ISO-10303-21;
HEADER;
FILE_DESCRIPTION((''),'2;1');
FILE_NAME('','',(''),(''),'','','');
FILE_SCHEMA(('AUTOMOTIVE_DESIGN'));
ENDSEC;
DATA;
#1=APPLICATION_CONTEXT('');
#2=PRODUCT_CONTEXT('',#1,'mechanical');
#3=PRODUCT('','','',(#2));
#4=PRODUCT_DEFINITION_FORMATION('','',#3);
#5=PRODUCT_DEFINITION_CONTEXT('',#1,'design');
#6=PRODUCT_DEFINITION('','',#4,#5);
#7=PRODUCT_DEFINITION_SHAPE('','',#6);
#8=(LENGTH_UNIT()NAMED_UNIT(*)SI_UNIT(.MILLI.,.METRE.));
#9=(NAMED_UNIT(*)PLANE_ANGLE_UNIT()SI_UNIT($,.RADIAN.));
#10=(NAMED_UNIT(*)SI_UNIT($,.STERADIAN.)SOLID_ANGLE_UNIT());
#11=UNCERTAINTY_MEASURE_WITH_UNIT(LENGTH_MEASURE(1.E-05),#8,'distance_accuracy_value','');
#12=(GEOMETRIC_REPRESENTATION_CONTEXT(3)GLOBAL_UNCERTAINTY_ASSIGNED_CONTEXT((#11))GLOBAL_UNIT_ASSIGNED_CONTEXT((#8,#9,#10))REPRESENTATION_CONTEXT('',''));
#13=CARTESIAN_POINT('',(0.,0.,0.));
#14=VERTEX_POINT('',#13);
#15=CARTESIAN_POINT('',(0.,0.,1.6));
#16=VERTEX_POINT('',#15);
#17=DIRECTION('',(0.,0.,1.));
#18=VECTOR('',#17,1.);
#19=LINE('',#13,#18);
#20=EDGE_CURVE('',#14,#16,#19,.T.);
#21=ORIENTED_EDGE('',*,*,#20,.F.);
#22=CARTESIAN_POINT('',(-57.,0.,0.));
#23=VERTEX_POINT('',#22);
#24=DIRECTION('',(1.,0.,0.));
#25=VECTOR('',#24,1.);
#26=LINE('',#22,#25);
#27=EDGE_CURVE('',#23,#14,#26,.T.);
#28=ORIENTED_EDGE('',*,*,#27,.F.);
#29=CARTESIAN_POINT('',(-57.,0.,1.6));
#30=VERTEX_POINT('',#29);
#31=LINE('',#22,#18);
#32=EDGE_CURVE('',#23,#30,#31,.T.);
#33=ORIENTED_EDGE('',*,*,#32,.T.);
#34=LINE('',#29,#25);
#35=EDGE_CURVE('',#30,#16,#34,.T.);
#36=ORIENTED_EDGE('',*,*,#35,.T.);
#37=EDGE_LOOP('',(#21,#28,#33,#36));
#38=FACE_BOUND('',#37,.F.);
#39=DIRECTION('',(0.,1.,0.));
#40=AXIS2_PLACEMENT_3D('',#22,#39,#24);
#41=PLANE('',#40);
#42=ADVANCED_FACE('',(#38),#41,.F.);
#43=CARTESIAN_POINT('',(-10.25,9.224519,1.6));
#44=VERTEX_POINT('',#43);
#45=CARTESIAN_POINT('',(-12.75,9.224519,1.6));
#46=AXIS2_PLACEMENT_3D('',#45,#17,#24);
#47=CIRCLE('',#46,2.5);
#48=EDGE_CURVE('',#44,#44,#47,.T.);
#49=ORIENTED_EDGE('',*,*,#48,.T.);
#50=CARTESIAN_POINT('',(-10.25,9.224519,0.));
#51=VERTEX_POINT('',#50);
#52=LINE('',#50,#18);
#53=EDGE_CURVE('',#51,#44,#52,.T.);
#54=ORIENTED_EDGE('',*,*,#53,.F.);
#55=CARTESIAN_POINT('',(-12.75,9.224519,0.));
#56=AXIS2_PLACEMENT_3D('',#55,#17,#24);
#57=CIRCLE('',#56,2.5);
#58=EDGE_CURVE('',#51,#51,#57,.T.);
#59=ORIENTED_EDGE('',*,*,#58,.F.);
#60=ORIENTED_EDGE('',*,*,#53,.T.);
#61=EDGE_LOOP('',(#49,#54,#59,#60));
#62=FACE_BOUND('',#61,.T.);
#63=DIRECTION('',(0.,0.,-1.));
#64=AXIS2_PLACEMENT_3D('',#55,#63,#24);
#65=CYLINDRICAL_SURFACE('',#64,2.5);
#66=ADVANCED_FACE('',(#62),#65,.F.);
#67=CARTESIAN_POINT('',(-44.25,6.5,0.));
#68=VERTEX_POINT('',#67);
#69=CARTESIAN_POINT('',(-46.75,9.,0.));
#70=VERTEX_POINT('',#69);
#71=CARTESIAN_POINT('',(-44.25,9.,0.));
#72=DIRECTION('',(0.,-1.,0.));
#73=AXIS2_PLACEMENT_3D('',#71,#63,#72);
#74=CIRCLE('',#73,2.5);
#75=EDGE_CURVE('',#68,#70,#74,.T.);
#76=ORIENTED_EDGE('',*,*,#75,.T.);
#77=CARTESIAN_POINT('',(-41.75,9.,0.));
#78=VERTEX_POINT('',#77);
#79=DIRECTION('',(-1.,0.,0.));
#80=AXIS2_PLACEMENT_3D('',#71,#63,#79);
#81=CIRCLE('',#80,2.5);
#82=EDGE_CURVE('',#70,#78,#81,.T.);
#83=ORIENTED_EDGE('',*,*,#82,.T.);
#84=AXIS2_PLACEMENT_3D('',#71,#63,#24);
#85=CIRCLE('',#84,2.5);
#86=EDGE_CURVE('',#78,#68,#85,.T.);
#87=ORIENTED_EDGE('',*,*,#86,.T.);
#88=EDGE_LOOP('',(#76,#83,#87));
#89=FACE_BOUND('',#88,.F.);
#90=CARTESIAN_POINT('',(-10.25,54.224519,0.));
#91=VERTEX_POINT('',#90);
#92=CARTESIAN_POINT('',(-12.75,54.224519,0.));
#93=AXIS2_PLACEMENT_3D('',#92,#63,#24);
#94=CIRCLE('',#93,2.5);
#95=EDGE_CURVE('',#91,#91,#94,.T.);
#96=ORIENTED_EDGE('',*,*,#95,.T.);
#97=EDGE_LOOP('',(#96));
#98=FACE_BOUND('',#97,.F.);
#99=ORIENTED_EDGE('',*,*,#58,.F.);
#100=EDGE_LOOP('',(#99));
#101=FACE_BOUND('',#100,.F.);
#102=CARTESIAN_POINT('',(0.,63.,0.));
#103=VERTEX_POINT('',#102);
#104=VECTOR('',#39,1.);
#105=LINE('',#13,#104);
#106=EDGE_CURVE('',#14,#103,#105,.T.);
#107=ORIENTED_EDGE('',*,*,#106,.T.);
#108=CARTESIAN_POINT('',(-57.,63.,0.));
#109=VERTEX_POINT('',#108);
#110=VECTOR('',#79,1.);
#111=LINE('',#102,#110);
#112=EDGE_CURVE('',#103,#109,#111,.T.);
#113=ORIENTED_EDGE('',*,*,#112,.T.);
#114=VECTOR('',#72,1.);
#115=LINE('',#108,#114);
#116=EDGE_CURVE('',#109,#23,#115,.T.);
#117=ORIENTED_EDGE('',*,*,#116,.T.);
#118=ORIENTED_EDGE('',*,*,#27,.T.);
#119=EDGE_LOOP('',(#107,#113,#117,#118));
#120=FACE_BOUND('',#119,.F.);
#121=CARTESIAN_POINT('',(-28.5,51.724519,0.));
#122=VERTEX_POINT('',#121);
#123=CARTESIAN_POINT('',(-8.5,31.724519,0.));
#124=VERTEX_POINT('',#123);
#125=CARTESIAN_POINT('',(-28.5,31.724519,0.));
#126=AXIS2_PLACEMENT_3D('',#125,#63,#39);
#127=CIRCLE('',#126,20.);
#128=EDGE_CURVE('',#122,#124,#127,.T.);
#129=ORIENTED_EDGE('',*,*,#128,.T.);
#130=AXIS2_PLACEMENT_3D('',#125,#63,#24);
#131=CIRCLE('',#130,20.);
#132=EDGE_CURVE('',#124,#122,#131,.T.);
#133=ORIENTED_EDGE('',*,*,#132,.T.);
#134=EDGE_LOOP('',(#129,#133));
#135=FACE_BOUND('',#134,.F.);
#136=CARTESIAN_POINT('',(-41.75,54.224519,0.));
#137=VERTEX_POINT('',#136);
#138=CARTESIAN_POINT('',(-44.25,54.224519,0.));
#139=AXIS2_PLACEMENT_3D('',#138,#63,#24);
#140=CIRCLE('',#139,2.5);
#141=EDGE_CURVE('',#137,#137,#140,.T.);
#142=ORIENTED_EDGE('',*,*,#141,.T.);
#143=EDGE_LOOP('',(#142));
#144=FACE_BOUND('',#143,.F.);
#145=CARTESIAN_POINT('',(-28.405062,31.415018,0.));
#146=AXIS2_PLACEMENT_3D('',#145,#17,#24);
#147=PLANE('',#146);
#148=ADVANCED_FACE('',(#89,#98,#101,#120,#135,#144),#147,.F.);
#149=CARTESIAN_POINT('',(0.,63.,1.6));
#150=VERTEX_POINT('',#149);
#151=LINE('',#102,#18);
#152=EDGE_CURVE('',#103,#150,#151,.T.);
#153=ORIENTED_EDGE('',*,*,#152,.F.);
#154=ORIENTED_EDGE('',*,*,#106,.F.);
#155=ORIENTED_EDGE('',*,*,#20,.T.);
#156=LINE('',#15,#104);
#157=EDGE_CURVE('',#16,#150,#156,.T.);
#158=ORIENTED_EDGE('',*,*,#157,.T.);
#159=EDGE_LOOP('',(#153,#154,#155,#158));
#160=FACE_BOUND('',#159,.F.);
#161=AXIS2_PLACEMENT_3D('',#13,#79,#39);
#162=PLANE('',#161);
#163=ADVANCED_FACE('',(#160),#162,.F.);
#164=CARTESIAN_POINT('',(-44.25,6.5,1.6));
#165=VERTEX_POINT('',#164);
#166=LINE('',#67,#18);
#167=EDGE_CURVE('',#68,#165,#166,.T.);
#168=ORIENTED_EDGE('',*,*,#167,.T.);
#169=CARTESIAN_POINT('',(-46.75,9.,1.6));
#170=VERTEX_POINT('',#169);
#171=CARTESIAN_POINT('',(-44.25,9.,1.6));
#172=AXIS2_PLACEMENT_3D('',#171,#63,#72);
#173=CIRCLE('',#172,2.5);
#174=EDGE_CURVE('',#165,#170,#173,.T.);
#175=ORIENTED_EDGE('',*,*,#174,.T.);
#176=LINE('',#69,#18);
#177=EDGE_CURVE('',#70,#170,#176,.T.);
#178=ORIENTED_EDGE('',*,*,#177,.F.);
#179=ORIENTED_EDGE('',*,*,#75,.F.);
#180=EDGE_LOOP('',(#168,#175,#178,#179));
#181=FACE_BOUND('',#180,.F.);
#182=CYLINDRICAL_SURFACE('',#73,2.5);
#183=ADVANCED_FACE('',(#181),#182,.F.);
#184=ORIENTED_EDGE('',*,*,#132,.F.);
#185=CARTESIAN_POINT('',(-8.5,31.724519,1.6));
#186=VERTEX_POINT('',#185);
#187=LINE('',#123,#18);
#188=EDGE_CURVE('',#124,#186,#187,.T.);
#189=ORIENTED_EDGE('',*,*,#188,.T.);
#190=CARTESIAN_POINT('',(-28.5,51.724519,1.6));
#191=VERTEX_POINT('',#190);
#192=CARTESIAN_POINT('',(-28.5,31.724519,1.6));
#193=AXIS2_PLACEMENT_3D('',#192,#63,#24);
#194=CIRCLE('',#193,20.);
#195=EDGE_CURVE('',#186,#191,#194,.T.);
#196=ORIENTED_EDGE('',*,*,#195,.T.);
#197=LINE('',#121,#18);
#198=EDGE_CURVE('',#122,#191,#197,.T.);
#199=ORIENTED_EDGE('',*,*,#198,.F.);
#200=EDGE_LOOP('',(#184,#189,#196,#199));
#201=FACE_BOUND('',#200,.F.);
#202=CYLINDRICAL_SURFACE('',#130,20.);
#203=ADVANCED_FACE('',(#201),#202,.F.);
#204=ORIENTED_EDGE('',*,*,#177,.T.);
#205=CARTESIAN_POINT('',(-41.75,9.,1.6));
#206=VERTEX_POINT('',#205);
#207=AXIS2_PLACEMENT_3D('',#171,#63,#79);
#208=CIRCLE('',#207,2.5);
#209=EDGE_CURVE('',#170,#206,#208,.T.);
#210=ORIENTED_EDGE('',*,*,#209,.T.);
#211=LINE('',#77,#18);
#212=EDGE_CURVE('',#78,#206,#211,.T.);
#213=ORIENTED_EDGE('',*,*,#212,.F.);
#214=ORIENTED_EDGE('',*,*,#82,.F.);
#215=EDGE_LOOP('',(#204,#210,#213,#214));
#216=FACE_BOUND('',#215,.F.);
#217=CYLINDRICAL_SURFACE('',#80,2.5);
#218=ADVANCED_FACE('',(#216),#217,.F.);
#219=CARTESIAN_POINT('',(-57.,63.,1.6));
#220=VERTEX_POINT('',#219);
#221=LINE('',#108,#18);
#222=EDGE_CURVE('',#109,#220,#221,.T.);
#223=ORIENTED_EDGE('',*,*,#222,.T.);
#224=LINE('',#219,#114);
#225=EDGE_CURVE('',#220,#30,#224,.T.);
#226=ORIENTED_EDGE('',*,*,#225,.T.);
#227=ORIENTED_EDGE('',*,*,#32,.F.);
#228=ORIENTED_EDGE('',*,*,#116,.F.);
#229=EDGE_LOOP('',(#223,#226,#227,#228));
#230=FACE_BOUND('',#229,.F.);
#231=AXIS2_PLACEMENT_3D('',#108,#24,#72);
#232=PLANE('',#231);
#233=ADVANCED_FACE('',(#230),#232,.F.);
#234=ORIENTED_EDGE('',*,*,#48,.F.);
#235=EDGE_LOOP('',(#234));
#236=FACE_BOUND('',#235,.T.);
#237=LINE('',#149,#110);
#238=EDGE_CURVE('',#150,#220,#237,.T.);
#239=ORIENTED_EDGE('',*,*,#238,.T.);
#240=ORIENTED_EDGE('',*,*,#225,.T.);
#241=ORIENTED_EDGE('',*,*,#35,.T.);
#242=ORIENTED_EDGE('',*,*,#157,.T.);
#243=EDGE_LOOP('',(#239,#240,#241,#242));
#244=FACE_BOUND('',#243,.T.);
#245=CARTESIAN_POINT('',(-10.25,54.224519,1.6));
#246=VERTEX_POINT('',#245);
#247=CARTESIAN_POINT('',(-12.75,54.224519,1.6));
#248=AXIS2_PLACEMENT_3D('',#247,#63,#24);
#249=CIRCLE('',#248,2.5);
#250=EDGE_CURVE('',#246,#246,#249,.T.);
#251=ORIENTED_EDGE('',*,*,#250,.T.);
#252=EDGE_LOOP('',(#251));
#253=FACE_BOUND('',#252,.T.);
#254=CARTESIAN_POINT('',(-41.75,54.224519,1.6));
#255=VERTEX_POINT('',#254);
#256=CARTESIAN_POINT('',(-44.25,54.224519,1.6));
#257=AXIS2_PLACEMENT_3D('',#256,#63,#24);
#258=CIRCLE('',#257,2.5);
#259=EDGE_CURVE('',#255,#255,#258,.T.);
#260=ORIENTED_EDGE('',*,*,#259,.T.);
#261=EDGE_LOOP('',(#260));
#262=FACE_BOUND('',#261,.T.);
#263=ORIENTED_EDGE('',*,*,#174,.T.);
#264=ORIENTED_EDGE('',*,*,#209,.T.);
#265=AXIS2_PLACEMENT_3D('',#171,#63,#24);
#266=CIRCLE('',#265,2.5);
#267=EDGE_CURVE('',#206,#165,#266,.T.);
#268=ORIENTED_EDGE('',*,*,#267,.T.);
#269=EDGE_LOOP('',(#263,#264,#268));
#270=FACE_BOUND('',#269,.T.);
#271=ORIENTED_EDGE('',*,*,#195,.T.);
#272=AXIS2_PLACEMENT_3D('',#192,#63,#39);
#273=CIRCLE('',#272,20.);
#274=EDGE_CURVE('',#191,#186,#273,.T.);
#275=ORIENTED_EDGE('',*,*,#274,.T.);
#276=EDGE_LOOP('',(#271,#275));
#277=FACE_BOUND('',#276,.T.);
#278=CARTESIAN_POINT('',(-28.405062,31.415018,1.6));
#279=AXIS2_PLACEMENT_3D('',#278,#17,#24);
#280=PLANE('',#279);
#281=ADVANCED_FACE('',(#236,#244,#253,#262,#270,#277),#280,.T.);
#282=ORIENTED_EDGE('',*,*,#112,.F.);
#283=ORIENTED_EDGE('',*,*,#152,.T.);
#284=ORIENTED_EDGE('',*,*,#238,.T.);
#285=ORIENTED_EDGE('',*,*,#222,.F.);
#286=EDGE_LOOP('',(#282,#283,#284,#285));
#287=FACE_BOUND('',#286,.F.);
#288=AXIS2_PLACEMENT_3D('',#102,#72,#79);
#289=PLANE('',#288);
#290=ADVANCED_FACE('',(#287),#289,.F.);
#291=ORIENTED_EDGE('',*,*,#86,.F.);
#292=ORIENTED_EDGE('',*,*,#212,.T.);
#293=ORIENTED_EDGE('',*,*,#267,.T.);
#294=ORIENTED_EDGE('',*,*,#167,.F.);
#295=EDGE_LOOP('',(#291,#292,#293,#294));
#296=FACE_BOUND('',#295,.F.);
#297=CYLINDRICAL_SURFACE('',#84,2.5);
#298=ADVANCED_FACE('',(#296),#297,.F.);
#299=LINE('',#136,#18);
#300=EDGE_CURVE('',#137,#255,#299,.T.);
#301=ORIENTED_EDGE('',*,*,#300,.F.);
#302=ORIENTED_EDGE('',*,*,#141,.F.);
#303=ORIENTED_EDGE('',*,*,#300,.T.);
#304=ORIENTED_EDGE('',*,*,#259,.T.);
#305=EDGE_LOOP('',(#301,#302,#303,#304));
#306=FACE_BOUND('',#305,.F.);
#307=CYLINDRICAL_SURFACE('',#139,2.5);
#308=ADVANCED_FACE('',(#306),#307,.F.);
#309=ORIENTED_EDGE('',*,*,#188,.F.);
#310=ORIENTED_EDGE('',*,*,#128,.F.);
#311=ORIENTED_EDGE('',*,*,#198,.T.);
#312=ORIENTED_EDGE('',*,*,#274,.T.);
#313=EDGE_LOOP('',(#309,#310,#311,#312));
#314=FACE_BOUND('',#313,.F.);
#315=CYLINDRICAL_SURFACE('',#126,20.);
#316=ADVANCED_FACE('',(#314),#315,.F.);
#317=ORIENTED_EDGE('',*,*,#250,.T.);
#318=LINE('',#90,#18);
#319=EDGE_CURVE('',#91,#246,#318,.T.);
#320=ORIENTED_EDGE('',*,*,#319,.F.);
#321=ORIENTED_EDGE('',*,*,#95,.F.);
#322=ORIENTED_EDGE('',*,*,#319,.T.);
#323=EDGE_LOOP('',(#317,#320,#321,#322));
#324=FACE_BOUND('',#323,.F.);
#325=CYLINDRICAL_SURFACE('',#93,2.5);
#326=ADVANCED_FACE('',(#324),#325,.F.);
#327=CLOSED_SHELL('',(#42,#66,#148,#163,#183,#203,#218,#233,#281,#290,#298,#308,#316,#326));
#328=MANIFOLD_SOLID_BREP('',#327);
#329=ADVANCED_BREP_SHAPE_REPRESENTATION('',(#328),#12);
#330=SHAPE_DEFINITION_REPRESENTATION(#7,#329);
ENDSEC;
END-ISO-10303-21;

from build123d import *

# Parameters (mm, degrees)
F0_R     = 2.5
F1_DEPTH = 1.6


with BuildPart() as f1:
    # F0 (on Top) → F1 (new body)
    with BuildSketch(Plane.XY):
        with BuildLine():
            Line((-44.25, 0), (0, 0))
            Line((0, 0), (0, 63))
            Line((0, 63), (-57, 63))
            Line((-57, 63), (-57, 9))
            Line((-57, 9), (-46.75, 9))
            ThreePointArc((-46.75, 9), (-44.25, 11.5), (-41.75, 9))
            ThreePointArc((-41.75, 9), (-42.482233047, 7.232233047), (-44.25, 6.5))
            Line((-44.25, 6.5), (-44.25, 0))
        make_face()
        with Locations((-12.75, 9.2245186158)):
            Circle(F0_R, mode=Mode.SUBTRACT)
        with BuildLine():
            ThreePointArc((-46.75, 54.2245186158), (-44.25, 56.7245186158), (-41.75, 54.2245186158))
            ThreePointArc((-41.75, 54.2245186158), (-44.25, 51.7245186158), (-46.75, 54.2245186158))
        make_face(mode=Mode.SUBTRACT)
        with BuildLine():
            ThreePointArc((-8.5, 31.7245186158), (-42.6421356237, 17.582382992), (-28.5, 51.7245186158))
            ThreePointArc((-28.5, 51.7245186158), (-14.3578643763, 45.8666542395), (-8.5, 31.7245186158))
        make_face(mode=Mode.SUBTRACT)
        with BuildLine():
            ThreePointArc((-15.25, 54.2245186158), (-12.75, 56.7245186158), (-10.25, 54.2245186158))
            ThreePointArc((-10.25, 54.2245186158), (-12.75, 51.7245186158), (-15.25, 54.2245186158))
        make_face(mode=Mode.SUBTRACT)
        with BuildLine():
            Line((-57, 0), (-44.25, 0))
            Line((-44.25, 0), (-44.25, 6.5))
            ThreePointArc((-44.25, 6.5), (-46.017766953, 7.232233047), (-46.75, 9))
            Line((-46.75, 9), (-57, 9))
            Line((-57, 9), (-57, 0))
        make_face()
    extrude(amount=F1_DEPTH)


solid = f1.part
